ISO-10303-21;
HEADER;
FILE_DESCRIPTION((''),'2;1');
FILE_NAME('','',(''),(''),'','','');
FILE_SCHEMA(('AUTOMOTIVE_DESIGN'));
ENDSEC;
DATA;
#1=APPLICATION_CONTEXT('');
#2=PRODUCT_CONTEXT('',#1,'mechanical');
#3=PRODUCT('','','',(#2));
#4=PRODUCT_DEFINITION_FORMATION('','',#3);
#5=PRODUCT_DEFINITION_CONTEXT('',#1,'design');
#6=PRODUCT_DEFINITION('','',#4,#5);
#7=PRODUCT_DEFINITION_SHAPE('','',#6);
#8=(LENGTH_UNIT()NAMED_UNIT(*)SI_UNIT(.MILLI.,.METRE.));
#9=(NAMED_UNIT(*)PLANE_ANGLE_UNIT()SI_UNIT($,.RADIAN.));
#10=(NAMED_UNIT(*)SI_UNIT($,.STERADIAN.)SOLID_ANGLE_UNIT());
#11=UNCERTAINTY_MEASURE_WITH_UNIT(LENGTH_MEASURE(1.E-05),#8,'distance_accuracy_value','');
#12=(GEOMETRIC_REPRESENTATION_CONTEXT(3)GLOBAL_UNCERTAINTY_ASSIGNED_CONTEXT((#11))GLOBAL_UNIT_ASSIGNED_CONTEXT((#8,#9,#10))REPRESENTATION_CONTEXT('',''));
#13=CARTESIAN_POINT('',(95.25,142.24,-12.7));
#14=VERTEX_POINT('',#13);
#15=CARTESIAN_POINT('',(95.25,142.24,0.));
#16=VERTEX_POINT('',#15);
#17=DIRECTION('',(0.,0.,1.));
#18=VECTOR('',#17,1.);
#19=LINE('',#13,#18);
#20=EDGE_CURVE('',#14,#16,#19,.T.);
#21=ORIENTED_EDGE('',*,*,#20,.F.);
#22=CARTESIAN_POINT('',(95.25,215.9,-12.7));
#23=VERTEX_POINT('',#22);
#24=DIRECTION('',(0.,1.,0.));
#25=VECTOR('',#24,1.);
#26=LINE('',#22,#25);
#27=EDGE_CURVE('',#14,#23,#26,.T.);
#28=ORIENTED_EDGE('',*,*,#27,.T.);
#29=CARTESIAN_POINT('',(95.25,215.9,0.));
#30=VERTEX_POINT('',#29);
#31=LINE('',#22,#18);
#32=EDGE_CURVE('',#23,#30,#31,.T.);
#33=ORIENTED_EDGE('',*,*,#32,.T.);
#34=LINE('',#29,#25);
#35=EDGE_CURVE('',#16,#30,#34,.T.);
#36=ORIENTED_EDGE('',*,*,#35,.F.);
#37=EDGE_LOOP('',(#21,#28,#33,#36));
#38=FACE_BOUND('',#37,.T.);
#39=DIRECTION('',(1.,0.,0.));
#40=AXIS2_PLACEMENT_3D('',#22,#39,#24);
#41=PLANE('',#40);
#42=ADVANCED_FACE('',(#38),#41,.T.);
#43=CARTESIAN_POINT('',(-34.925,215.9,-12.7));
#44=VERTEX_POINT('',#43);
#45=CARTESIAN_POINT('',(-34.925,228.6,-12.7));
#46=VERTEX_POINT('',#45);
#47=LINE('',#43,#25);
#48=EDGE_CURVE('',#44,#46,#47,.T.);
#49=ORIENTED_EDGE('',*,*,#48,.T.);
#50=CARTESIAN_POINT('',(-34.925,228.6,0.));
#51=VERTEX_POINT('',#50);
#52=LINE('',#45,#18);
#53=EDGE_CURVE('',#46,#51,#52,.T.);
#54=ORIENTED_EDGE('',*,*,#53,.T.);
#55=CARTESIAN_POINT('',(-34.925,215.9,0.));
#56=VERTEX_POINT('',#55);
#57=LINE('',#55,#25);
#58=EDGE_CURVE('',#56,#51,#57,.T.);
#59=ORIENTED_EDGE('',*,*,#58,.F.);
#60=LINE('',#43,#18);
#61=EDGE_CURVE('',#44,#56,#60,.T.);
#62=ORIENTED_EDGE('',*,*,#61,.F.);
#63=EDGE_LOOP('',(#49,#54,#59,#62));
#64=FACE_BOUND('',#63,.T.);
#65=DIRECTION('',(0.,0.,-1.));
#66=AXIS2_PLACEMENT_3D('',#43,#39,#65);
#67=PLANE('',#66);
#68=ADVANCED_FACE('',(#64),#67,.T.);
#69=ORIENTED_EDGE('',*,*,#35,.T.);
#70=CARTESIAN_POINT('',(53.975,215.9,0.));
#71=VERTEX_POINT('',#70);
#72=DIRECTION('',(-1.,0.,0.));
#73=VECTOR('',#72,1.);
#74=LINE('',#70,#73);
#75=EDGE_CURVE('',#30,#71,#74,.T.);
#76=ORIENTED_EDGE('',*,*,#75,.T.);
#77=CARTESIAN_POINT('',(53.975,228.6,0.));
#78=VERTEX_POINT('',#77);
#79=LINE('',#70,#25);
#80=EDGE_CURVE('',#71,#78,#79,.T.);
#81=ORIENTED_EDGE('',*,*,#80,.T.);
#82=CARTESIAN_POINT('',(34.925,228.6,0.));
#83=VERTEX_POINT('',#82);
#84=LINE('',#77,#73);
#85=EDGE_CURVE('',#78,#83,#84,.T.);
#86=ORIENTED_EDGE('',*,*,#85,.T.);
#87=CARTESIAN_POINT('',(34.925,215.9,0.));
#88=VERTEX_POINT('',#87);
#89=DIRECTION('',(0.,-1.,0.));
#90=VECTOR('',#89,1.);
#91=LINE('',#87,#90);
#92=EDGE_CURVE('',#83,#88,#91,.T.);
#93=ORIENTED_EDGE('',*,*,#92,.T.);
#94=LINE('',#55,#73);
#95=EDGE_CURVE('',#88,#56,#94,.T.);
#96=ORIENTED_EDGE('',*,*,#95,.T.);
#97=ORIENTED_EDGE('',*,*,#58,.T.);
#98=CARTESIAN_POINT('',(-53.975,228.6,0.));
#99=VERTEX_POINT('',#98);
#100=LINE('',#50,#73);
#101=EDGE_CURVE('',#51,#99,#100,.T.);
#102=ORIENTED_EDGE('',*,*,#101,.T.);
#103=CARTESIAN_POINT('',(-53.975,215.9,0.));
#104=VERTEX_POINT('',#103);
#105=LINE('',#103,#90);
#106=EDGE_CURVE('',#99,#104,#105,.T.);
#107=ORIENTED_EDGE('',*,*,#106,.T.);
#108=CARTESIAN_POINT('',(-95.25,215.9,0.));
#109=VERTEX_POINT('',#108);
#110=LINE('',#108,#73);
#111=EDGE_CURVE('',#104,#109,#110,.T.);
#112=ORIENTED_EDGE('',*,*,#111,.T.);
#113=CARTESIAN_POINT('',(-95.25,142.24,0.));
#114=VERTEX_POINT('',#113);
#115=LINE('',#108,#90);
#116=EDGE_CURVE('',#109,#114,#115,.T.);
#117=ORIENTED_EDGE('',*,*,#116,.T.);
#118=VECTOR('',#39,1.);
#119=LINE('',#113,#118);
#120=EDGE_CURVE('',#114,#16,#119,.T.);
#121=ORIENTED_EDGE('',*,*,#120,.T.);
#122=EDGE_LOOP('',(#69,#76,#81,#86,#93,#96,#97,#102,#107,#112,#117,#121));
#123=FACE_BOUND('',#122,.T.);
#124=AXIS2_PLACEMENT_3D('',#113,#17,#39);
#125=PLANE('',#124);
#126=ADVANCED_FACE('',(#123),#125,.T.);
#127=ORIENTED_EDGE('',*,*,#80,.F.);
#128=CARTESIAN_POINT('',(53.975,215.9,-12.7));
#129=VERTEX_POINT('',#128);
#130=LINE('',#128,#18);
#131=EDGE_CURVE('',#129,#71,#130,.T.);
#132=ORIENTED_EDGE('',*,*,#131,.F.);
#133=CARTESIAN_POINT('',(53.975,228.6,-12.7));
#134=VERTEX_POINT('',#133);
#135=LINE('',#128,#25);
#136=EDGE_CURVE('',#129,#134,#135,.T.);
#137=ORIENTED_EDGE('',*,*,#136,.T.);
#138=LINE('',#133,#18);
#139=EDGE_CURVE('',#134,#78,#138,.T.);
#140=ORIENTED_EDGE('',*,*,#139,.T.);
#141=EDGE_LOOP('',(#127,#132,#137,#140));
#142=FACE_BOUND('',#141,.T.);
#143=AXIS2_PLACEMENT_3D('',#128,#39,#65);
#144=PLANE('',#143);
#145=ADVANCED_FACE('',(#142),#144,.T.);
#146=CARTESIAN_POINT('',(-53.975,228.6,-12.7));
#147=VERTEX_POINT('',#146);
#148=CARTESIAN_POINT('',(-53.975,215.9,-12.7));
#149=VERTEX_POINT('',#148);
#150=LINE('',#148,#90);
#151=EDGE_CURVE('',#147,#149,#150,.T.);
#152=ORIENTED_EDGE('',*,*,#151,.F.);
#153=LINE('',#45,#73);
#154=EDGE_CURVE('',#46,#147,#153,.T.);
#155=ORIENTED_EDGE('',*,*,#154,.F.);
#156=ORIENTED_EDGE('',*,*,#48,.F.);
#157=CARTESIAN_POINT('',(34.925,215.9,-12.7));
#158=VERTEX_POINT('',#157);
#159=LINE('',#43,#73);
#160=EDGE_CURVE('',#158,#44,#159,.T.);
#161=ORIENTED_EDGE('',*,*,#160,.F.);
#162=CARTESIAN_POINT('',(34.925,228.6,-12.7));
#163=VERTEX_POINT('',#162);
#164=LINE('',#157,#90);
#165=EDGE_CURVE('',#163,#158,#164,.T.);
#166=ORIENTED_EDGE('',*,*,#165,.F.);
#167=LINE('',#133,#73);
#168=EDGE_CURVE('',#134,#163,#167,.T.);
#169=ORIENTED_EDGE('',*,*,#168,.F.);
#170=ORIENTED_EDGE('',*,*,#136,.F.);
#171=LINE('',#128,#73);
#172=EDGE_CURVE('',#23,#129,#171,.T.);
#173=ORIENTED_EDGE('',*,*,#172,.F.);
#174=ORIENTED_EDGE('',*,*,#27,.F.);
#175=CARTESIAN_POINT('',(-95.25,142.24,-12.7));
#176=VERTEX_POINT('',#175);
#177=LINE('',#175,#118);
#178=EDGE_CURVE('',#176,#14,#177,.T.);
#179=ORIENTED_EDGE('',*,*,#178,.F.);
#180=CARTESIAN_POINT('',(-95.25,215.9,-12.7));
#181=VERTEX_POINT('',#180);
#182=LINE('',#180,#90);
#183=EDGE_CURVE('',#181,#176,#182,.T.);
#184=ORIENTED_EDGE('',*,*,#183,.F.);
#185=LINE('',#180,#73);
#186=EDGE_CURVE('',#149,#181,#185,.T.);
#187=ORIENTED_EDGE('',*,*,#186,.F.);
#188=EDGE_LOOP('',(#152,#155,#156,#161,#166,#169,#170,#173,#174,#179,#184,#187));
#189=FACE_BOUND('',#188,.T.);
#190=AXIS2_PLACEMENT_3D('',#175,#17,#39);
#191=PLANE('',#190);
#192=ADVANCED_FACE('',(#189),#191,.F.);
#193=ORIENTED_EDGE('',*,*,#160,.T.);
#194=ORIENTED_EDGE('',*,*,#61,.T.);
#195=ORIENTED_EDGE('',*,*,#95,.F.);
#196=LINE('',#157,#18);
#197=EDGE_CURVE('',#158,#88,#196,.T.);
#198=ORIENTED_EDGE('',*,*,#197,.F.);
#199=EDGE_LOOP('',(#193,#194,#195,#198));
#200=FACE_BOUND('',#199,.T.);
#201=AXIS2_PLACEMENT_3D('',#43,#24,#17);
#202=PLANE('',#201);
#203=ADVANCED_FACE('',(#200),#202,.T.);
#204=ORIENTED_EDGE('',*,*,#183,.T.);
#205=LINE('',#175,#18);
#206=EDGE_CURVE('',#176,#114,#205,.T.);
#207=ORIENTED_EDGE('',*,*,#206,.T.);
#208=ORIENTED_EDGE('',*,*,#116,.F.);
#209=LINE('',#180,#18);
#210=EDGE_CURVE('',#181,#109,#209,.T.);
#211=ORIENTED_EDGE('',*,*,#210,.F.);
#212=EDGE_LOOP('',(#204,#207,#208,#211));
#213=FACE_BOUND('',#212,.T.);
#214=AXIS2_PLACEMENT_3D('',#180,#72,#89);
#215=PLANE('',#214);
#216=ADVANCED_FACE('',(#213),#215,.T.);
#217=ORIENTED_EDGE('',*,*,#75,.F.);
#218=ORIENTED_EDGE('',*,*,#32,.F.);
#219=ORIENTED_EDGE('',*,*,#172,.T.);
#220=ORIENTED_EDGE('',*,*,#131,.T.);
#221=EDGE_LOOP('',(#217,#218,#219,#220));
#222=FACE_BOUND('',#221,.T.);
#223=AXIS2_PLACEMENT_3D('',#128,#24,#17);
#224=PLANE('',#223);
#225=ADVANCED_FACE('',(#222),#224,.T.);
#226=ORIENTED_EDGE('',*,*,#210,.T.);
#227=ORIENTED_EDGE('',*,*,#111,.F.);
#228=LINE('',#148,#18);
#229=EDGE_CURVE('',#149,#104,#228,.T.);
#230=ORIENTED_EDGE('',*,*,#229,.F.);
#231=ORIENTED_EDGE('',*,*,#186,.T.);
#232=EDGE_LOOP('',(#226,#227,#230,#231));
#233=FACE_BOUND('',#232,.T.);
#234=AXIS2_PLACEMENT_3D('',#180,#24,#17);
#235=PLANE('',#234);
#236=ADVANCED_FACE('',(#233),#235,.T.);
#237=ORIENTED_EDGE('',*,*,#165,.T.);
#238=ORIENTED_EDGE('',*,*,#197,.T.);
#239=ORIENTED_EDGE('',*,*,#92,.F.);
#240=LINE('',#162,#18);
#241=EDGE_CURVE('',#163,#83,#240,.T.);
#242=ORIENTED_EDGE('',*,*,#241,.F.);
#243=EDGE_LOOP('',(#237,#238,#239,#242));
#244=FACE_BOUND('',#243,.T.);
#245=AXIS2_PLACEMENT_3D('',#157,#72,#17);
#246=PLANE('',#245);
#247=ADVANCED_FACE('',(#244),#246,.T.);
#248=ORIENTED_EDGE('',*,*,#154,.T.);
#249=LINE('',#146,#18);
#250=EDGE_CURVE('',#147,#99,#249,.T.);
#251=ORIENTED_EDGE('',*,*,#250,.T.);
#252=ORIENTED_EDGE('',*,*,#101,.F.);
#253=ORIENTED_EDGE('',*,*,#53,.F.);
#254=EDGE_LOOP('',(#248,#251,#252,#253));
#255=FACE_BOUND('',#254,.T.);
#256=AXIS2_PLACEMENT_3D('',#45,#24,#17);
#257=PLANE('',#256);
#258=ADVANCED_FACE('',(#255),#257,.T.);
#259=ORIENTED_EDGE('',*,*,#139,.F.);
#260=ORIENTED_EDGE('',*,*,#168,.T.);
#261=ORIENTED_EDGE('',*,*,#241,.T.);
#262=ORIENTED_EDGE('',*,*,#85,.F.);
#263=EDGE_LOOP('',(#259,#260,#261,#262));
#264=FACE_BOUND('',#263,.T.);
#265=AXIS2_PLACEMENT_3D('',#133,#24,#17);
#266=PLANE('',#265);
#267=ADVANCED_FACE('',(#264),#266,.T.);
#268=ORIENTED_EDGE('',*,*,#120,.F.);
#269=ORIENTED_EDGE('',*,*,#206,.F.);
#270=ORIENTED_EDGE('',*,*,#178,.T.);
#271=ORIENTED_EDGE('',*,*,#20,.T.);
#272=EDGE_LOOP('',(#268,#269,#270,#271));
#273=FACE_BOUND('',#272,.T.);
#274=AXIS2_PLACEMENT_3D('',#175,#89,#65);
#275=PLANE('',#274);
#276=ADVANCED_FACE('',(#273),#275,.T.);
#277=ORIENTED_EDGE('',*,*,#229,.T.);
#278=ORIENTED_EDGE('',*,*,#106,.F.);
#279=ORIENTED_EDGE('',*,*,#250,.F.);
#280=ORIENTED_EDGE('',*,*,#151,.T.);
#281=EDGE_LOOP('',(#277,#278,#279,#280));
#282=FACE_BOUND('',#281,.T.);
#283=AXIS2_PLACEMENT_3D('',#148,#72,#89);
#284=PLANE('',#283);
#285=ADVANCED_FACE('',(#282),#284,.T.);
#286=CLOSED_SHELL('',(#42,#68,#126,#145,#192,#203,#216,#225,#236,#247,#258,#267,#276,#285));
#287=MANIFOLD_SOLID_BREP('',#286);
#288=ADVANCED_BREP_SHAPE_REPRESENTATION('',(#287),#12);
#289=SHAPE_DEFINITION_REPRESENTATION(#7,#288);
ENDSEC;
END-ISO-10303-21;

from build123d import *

# Parameters (mm, degrees)
EXTRUDE1_DEPTH = 12.7


with BuildPart() as part:
    # Sketch1 → Extrude1 (new body)
    with BuildSketch(Plane.XY):
        Polygon((-95.25, 215.9), (-53.975, 215.9), (-53.975, 228.6), (-34.925, 228.6), (-34.925, 215.9), (34.925, 215.9), (34.925, 228.6), (53.975, 228.6), (53.975, 215.9), (95.25, 215.9), (95.25, 142.24), (-95.25, 142.24), align=None)
    extrude(amount=-EXTRUDE1_DEPTH)


solid = part.part
